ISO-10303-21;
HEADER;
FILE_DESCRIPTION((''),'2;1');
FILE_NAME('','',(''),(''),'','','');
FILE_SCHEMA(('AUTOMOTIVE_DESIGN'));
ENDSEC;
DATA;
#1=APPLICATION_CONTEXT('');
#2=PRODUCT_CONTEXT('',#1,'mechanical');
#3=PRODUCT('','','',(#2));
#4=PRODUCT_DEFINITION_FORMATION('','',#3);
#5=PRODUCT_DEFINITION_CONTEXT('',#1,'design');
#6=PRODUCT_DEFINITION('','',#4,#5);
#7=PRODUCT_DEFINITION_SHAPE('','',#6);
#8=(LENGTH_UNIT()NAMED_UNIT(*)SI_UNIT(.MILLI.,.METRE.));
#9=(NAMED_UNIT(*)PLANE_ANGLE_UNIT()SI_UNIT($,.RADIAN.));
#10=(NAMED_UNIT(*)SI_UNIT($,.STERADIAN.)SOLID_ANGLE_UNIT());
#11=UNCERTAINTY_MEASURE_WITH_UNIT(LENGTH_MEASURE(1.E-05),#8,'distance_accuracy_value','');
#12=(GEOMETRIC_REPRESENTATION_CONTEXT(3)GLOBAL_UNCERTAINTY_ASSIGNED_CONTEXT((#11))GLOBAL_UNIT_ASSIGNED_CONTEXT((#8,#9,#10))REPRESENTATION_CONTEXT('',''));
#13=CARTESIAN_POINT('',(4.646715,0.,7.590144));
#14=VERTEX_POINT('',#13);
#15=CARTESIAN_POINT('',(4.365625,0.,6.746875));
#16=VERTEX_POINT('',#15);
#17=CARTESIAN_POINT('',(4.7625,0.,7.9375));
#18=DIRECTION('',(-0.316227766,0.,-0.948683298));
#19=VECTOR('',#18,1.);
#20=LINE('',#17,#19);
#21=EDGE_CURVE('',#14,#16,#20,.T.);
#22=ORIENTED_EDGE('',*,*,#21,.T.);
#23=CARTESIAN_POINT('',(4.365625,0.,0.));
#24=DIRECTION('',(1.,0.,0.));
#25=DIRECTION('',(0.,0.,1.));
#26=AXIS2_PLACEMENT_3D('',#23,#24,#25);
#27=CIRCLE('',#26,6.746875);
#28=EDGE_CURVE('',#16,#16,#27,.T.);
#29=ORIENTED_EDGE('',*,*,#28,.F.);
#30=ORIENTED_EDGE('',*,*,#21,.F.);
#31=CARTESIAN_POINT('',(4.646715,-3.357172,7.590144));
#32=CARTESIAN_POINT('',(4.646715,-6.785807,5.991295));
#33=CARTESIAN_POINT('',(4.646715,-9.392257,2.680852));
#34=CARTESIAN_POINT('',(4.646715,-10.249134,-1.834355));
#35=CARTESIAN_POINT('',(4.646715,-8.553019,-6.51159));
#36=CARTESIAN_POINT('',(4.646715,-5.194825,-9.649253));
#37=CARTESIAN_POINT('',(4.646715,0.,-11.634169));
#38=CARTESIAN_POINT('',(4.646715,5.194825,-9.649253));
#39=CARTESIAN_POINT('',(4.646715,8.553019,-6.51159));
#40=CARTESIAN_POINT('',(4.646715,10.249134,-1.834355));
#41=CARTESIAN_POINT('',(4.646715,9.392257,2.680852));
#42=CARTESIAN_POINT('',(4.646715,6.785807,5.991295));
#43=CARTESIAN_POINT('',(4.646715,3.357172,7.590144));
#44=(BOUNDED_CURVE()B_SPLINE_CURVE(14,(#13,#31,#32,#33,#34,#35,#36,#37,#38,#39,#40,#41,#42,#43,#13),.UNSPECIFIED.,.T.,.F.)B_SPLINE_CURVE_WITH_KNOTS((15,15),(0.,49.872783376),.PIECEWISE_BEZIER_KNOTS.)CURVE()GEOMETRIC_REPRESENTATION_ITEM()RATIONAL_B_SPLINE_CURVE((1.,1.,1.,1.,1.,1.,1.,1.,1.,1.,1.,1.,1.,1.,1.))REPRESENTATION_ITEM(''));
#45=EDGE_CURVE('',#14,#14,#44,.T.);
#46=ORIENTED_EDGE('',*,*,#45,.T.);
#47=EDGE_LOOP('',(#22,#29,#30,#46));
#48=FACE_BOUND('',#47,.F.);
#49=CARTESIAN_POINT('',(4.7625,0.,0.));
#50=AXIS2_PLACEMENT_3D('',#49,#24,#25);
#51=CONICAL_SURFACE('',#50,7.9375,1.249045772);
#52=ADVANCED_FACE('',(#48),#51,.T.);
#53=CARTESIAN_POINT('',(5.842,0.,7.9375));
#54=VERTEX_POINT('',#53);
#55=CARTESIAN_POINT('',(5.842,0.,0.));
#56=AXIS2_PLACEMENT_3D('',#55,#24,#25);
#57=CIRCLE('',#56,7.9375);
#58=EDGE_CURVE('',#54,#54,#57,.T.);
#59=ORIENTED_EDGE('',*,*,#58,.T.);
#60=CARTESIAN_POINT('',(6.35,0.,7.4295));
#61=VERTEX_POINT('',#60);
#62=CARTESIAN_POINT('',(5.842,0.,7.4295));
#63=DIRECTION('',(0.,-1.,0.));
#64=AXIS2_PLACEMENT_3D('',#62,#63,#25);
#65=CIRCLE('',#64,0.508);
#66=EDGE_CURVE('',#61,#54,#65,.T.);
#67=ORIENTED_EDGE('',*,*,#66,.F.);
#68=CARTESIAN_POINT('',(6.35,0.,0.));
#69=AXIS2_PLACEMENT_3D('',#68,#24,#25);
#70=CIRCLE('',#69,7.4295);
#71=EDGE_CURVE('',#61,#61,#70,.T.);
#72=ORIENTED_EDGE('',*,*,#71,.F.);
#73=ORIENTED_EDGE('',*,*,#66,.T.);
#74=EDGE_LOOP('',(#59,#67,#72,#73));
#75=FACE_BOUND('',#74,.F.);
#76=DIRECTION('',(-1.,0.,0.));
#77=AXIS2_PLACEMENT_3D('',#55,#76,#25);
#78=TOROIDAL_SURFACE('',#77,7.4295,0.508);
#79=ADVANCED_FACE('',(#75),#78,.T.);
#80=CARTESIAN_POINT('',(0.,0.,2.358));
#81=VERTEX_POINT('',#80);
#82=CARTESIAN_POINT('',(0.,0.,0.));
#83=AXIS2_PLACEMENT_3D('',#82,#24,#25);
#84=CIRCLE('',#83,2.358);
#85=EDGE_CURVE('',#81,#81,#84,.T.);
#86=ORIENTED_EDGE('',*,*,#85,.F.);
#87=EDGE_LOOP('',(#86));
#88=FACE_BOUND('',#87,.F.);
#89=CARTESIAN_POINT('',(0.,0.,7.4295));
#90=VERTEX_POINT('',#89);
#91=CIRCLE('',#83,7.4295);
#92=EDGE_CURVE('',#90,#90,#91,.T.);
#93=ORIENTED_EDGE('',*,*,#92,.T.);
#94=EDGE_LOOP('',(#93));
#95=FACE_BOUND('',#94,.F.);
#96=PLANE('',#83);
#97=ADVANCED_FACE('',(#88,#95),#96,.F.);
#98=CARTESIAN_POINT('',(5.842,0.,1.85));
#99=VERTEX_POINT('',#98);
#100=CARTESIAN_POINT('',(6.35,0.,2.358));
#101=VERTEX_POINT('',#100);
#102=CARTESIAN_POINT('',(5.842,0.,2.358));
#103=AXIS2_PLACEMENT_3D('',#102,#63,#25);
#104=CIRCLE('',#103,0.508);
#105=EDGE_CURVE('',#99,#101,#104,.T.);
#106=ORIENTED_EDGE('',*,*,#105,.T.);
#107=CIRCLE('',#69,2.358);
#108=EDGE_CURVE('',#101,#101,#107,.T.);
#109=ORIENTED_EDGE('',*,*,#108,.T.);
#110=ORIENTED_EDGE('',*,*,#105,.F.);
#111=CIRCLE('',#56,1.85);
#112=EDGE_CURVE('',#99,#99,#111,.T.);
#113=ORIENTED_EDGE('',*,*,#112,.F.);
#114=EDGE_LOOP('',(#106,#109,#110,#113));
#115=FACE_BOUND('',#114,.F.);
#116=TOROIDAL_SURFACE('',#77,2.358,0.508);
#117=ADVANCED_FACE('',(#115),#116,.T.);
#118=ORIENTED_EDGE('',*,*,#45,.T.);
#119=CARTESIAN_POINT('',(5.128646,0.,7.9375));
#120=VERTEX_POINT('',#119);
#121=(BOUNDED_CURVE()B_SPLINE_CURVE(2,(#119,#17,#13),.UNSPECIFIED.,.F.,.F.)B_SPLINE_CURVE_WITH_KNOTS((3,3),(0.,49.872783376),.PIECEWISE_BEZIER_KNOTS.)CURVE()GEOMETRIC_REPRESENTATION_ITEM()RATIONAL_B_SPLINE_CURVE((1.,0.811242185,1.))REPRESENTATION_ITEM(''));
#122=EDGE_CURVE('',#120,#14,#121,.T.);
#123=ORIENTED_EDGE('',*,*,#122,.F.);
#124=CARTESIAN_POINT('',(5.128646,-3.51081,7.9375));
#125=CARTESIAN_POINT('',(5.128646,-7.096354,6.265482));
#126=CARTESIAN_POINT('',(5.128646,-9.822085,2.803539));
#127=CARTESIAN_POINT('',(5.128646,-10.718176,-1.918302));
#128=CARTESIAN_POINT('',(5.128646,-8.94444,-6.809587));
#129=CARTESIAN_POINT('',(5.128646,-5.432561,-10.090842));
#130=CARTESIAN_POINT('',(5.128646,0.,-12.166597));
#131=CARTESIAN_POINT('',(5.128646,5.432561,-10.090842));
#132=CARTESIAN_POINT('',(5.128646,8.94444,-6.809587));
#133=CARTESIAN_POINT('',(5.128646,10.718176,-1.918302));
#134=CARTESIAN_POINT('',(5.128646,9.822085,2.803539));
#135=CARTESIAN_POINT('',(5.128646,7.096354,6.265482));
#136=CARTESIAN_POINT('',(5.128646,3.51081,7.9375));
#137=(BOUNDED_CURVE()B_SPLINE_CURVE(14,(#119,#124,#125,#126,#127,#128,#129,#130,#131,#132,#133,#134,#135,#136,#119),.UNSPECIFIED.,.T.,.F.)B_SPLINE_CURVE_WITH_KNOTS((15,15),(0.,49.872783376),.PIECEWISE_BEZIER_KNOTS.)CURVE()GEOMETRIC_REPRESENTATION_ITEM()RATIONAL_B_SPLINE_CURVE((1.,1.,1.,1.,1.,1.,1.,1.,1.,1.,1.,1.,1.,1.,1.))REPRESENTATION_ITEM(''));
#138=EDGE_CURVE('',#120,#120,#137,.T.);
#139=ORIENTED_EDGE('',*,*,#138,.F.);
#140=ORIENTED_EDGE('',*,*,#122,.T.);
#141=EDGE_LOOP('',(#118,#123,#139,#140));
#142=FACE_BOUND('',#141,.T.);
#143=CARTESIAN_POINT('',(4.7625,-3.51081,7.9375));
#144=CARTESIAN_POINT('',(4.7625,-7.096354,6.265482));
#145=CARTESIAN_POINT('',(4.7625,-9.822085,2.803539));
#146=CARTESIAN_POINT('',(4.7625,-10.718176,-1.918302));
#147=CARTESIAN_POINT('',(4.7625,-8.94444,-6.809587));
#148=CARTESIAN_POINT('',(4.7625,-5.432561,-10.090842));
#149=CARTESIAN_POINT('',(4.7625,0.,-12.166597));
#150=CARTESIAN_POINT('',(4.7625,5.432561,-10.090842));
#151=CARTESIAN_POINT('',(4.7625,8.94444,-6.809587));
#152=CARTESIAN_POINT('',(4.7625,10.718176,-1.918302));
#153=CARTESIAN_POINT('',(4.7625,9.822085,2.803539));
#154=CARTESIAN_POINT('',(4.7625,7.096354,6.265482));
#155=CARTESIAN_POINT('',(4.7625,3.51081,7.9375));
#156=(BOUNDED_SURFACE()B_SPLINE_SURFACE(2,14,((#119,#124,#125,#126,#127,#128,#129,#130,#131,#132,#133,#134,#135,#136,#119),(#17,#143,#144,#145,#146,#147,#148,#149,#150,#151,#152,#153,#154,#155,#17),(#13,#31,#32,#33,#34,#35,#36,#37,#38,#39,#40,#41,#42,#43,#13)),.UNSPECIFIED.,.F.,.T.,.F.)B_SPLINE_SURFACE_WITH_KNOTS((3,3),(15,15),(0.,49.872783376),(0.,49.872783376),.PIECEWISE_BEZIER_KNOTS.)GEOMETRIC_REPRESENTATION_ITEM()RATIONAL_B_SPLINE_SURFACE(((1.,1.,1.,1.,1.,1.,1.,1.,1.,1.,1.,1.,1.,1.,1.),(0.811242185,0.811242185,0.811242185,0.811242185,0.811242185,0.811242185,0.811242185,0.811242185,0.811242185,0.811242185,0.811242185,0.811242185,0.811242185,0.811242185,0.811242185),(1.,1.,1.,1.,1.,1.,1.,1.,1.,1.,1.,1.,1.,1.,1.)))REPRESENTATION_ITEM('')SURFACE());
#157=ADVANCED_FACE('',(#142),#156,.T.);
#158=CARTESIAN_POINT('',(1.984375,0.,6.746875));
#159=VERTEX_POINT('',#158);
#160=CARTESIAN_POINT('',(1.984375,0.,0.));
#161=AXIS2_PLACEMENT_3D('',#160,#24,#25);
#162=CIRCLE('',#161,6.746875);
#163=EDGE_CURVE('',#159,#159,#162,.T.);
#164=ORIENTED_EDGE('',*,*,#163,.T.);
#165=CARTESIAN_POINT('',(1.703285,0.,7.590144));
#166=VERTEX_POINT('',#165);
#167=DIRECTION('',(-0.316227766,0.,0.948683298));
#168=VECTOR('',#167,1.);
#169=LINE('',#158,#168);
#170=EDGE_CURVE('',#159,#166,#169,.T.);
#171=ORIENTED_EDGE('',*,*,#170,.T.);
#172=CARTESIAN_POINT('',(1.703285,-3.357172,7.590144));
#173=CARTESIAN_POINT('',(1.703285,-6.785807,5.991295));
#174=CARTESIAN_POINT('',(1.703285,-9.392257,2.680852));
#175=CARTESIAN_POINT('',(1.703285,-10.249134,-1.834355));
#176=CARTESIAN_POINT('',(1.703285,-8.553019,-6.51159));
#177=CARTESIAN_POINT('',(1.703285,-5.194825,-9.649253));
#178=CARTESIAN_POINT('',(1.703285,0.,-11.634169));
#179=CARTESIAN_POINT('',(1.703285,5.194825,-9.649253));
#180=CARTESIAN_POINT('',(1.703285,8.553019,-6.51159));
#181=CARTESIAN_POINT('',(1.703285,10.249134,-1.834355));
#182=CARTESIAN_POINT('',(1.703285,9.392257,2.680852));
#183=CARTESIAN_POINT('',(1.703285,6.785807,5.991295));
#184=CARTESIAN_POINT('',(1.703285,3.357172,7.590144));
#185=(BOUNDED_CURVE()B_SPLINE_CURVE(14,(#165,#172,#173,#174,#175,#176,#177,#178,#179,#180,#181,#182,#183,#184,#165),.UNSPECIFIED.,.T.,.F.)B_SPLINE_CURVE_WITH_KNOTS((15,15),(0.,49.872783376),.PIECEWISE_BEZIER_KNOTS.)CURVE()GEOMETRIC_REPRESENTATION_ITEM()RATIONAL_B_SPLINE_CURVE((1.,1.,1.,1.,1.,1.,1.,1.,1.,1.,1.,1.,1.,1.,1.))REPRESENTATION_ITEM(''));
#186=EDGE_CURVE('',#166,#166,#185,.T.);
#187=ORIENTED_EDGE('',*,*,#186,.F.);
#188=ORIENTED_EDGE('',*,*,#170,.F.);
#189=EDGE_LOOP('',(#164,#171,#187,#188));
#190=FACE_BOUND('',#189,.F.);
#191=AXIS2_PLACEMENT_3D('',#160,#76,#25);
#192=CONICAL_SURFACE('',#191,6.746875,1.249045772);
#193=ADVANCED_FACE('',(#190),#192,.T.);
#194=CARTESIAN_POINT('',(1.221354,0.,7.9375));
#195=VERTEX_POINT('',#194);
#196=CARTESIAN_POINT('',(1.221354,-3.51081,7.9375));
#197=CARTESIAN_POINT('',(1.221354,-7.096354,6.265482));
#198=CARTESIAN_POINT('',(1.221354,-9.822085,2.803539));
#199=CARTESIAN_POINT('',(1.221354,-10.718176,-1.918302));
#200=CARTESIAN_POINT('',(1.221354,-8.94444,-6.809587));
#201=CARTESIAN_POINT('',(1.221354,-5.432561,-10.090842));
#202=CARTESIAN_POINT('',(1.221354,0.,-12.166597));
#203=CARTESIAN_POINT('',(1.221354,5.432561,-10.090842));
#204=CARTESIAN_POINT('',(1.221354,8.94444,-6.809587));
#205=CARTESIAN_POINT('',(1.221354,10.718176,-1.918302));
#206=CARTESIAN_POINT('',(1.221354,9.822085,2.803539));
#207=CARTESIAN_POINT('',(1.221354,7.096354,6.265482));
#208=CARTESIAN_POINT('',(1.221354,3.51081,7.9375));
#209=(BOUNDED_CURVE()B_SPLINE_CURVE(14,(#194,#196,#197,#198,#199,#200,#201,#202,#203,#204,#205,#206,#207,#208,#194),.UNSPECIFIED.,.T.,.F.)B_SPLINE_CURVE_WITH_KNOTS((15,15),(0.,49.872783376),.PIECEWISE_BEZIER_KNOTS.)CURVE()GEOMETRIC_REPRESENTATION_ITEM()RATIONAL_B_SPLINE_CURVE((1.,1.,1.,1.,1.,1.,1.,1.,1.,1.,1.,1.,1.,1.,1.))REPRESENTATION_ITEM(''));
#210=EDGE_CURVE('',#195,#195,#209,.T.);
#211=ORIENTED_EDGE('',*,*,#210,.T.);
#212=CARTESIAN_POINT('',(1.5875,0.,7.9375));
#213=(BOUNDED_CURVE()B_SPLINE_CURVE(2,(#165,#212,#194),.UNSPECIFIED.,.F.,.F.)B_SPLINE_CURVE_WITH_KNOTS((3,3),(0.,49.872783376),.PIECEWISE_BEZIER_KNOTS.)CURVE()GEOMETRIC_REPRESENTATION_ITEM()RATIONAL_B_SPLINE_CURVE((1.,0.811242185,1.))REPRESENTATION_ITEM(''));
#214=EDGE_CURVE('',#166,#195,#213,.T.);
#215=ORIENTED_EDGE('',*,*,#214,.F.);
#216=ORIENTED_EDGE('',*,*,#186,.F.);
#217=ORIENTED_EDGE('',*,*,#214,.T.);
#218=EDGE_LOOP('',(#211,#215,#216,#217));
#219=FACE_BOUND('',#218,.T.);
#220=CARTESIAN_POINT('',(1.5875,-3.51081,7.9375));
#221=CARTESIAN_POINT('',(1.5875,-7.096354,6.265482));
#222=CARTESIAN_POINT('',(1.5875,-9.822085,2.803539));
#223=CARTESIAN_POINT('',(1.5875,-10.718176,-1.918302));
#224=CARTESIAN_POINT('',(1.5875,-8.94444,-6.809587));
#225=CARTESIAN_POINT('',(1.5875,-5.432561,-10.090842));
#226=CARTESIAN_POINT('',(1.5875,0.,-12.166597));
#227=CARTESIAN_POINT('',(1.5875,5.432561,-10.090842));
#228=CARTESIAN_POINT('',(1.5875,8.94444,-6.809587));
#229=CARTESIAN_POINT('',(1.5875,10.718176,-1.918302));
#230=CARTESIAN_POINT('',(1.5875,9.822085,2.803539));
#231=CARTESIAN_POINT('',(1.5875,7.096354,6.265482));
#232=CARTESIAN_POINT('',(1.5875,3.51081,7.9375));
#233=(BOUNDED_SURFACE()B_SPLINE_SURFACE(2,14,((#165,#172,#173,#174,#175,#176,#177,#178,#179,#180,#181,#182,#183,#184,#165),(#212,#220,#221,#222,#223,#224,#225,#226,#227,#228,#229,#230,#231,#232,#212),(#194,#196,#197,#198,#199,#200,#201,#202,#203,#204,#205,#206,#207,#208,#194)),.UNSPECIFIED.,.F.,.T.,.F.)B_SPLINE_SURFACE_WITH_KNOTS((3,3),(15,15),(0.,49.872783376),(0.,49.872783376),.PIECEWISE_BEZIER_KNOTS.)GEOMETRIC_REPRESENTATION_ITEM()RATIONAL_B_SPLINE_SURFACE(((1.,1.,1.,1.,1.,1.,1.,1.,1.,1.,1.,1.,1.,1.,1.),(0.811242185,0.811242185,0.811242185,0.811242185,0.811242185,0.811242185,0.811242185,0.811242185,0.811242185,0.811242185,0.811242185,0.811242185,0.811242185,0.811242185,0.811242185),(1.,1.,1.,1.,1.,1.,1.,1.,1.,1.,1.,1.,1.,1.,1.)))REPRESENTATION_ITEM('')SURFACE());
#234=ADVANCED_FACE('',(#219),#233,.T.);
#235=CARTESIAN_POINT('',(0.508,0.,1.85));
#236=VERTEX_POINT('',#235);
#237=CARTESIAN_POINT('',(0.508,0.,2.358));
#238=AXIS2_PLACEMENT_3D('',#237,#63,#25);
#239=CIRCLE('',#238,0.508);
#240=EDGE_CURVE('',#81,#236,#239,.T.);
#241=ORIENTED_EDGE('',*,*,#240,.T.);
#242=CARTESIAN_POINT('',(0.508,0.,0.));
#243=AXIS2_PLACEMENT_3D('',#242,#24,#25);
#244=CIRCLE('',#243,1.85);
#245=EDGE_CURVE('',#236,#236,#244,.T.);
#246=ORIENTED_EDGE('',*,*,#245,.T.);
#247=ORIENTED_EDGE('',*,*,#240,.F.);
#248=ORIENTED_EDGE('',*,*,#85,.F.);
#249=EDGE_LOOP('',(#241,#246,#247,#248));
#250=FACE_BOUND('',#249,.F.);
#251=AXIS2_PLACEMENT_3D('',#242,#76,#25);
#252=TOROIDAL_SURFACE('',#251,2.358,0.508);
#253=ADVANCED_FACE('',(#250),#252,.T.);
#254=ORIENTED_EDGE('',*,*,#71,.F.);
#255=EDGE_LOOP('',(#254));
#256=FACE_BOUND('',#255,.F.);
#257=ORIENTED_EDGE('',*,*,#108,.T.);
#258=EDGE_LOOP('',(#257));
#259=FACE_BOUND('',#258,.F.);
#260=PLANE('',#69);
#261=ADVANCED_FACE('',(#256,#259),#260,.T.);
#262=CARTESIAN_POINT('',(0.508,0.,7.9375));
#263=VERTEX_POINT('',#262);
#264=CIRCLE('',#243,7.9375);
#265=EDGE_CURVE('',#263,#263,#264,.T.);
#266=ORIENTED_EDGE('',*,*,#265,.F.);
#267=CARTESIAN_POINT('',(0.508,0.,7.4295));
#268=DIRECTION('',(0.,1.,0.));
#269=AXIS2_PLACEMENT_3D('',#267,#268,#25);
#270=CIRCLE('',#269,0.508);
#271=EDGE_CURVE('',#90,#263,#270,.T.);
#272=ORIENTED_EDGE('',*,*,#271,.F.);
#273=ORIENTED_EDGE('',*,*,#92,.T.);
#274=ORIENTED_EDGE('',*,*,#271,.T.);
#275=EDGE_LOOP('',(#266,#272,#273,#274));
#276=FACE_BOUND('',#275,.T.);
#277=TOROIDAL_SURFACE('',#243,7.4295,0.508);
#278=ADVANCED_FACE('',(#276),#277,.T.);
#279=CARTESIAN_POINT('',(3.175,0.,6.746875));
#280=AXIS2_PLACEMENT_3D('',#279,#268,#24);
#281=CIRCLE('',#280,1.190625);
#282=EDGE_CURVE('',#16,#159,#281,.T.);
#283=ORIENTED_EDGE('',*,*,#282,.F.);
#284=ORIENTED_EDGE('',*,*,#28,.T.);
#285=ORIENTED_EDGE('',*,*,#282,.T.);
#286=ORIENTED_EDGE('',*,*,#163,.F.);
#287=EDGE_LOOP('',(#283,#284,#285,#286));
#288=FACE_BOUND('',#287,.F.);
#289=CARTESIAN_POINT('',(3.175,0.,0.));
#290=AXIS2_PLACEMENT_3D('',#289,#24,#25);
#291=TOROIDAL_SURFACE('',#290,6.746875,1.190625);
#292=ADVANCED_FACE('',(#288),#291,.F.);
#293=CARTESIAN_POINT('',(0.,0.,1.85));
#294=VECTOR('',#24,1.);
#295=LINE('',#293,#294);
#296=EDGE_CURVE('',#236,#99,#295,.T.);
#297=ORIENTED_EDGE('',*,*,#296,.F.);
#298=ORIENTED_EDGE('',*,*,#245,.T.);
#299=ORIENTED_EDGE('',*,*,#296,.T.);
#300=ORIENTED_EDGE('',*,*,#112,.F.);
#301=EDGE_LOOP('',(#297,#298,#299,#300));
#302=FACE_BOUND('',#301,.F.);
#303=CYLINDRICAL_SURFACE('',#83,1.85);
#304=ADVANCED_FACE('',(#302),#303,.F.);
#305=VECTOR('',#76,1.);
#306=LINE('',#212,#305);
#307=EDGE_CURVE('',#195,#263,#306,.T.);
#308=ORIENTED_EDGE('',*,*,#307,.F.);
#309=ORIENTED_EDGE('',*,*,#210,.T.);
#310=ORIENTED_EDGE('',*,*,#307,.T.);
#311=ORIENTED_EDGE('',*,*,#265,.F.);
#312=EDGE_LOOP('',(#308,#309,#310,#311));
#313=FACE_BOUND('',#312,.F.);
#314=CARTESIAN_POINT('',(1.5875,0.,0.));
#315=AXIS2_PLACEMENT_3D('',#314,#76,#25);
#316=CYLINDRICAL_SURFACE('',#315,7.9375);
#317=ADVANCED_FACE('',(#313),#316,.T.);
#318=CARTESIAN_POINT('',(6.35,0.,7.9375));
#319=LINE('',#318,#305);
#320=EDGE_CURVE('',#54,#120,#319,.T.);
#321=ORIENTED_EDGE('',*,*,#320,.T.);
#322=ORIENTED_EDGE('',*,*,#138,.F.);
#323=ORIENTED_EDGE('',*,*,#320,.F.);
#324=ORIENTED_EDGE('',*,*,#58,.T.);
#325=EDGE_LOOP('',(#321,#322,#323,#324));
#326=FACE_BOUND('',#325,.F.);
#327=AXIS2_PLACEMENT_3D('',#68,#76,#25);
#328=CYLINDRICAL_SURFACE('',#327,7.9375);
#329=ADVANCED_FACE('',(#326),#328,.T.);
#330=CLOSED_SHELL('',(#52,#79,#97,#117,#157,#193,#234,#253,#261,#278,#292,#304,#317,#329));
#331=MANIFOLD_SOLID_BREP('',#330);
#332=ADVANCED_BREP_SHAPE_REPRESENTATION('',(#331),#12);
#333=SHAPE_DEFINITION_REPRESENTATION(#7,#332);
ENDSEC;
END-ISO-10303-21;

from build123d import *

# Parameters (mm, degrees)
F2_R = 0.508


with BuildPart() as f1:
    # F0 (on Front) → F1 (revolve)
    with BuildSketch(Plane.XZ):
        with BuildLine():
            Line((0, 7.9375), (0, 1.85))
            Line((0, 1.85), (6.35, 1.85))
            Line((6.35, 1.85), (6.35, 7.9375))
            Line((6.35, 7.9375), (4.7625, 7.9375))
            Line((4.7625, 7.9375), (4.365625, 6.746875))
            ThreePointArc((4.365625, 6.746875), (3.175, 5.55625), (1.984375, 6.746875))
            Line((1.984375, 6.746875), (1.5875, 7.9375))
            Line((1.5875, 7.9375), (0, 7.9375))
        make_face()
    revolve(axis=Axis((3.175, 0, 0), (1, 0, 0)))

    # F2
    f2_edges = [f1.edges().sort_by_distance(p)[0] for p in [
        (0, 0, -7.9375),
        (0, 0, -1.85),
        (6.35, 0, -1.85),
        (6.35, 0, -7.9375),
        (1.5875, 0, -7.9375),
        (4.7625, 0, -7.9375),
    ]]
    fillet(f2_edges, radius=F2_R)


solid = f1.part
